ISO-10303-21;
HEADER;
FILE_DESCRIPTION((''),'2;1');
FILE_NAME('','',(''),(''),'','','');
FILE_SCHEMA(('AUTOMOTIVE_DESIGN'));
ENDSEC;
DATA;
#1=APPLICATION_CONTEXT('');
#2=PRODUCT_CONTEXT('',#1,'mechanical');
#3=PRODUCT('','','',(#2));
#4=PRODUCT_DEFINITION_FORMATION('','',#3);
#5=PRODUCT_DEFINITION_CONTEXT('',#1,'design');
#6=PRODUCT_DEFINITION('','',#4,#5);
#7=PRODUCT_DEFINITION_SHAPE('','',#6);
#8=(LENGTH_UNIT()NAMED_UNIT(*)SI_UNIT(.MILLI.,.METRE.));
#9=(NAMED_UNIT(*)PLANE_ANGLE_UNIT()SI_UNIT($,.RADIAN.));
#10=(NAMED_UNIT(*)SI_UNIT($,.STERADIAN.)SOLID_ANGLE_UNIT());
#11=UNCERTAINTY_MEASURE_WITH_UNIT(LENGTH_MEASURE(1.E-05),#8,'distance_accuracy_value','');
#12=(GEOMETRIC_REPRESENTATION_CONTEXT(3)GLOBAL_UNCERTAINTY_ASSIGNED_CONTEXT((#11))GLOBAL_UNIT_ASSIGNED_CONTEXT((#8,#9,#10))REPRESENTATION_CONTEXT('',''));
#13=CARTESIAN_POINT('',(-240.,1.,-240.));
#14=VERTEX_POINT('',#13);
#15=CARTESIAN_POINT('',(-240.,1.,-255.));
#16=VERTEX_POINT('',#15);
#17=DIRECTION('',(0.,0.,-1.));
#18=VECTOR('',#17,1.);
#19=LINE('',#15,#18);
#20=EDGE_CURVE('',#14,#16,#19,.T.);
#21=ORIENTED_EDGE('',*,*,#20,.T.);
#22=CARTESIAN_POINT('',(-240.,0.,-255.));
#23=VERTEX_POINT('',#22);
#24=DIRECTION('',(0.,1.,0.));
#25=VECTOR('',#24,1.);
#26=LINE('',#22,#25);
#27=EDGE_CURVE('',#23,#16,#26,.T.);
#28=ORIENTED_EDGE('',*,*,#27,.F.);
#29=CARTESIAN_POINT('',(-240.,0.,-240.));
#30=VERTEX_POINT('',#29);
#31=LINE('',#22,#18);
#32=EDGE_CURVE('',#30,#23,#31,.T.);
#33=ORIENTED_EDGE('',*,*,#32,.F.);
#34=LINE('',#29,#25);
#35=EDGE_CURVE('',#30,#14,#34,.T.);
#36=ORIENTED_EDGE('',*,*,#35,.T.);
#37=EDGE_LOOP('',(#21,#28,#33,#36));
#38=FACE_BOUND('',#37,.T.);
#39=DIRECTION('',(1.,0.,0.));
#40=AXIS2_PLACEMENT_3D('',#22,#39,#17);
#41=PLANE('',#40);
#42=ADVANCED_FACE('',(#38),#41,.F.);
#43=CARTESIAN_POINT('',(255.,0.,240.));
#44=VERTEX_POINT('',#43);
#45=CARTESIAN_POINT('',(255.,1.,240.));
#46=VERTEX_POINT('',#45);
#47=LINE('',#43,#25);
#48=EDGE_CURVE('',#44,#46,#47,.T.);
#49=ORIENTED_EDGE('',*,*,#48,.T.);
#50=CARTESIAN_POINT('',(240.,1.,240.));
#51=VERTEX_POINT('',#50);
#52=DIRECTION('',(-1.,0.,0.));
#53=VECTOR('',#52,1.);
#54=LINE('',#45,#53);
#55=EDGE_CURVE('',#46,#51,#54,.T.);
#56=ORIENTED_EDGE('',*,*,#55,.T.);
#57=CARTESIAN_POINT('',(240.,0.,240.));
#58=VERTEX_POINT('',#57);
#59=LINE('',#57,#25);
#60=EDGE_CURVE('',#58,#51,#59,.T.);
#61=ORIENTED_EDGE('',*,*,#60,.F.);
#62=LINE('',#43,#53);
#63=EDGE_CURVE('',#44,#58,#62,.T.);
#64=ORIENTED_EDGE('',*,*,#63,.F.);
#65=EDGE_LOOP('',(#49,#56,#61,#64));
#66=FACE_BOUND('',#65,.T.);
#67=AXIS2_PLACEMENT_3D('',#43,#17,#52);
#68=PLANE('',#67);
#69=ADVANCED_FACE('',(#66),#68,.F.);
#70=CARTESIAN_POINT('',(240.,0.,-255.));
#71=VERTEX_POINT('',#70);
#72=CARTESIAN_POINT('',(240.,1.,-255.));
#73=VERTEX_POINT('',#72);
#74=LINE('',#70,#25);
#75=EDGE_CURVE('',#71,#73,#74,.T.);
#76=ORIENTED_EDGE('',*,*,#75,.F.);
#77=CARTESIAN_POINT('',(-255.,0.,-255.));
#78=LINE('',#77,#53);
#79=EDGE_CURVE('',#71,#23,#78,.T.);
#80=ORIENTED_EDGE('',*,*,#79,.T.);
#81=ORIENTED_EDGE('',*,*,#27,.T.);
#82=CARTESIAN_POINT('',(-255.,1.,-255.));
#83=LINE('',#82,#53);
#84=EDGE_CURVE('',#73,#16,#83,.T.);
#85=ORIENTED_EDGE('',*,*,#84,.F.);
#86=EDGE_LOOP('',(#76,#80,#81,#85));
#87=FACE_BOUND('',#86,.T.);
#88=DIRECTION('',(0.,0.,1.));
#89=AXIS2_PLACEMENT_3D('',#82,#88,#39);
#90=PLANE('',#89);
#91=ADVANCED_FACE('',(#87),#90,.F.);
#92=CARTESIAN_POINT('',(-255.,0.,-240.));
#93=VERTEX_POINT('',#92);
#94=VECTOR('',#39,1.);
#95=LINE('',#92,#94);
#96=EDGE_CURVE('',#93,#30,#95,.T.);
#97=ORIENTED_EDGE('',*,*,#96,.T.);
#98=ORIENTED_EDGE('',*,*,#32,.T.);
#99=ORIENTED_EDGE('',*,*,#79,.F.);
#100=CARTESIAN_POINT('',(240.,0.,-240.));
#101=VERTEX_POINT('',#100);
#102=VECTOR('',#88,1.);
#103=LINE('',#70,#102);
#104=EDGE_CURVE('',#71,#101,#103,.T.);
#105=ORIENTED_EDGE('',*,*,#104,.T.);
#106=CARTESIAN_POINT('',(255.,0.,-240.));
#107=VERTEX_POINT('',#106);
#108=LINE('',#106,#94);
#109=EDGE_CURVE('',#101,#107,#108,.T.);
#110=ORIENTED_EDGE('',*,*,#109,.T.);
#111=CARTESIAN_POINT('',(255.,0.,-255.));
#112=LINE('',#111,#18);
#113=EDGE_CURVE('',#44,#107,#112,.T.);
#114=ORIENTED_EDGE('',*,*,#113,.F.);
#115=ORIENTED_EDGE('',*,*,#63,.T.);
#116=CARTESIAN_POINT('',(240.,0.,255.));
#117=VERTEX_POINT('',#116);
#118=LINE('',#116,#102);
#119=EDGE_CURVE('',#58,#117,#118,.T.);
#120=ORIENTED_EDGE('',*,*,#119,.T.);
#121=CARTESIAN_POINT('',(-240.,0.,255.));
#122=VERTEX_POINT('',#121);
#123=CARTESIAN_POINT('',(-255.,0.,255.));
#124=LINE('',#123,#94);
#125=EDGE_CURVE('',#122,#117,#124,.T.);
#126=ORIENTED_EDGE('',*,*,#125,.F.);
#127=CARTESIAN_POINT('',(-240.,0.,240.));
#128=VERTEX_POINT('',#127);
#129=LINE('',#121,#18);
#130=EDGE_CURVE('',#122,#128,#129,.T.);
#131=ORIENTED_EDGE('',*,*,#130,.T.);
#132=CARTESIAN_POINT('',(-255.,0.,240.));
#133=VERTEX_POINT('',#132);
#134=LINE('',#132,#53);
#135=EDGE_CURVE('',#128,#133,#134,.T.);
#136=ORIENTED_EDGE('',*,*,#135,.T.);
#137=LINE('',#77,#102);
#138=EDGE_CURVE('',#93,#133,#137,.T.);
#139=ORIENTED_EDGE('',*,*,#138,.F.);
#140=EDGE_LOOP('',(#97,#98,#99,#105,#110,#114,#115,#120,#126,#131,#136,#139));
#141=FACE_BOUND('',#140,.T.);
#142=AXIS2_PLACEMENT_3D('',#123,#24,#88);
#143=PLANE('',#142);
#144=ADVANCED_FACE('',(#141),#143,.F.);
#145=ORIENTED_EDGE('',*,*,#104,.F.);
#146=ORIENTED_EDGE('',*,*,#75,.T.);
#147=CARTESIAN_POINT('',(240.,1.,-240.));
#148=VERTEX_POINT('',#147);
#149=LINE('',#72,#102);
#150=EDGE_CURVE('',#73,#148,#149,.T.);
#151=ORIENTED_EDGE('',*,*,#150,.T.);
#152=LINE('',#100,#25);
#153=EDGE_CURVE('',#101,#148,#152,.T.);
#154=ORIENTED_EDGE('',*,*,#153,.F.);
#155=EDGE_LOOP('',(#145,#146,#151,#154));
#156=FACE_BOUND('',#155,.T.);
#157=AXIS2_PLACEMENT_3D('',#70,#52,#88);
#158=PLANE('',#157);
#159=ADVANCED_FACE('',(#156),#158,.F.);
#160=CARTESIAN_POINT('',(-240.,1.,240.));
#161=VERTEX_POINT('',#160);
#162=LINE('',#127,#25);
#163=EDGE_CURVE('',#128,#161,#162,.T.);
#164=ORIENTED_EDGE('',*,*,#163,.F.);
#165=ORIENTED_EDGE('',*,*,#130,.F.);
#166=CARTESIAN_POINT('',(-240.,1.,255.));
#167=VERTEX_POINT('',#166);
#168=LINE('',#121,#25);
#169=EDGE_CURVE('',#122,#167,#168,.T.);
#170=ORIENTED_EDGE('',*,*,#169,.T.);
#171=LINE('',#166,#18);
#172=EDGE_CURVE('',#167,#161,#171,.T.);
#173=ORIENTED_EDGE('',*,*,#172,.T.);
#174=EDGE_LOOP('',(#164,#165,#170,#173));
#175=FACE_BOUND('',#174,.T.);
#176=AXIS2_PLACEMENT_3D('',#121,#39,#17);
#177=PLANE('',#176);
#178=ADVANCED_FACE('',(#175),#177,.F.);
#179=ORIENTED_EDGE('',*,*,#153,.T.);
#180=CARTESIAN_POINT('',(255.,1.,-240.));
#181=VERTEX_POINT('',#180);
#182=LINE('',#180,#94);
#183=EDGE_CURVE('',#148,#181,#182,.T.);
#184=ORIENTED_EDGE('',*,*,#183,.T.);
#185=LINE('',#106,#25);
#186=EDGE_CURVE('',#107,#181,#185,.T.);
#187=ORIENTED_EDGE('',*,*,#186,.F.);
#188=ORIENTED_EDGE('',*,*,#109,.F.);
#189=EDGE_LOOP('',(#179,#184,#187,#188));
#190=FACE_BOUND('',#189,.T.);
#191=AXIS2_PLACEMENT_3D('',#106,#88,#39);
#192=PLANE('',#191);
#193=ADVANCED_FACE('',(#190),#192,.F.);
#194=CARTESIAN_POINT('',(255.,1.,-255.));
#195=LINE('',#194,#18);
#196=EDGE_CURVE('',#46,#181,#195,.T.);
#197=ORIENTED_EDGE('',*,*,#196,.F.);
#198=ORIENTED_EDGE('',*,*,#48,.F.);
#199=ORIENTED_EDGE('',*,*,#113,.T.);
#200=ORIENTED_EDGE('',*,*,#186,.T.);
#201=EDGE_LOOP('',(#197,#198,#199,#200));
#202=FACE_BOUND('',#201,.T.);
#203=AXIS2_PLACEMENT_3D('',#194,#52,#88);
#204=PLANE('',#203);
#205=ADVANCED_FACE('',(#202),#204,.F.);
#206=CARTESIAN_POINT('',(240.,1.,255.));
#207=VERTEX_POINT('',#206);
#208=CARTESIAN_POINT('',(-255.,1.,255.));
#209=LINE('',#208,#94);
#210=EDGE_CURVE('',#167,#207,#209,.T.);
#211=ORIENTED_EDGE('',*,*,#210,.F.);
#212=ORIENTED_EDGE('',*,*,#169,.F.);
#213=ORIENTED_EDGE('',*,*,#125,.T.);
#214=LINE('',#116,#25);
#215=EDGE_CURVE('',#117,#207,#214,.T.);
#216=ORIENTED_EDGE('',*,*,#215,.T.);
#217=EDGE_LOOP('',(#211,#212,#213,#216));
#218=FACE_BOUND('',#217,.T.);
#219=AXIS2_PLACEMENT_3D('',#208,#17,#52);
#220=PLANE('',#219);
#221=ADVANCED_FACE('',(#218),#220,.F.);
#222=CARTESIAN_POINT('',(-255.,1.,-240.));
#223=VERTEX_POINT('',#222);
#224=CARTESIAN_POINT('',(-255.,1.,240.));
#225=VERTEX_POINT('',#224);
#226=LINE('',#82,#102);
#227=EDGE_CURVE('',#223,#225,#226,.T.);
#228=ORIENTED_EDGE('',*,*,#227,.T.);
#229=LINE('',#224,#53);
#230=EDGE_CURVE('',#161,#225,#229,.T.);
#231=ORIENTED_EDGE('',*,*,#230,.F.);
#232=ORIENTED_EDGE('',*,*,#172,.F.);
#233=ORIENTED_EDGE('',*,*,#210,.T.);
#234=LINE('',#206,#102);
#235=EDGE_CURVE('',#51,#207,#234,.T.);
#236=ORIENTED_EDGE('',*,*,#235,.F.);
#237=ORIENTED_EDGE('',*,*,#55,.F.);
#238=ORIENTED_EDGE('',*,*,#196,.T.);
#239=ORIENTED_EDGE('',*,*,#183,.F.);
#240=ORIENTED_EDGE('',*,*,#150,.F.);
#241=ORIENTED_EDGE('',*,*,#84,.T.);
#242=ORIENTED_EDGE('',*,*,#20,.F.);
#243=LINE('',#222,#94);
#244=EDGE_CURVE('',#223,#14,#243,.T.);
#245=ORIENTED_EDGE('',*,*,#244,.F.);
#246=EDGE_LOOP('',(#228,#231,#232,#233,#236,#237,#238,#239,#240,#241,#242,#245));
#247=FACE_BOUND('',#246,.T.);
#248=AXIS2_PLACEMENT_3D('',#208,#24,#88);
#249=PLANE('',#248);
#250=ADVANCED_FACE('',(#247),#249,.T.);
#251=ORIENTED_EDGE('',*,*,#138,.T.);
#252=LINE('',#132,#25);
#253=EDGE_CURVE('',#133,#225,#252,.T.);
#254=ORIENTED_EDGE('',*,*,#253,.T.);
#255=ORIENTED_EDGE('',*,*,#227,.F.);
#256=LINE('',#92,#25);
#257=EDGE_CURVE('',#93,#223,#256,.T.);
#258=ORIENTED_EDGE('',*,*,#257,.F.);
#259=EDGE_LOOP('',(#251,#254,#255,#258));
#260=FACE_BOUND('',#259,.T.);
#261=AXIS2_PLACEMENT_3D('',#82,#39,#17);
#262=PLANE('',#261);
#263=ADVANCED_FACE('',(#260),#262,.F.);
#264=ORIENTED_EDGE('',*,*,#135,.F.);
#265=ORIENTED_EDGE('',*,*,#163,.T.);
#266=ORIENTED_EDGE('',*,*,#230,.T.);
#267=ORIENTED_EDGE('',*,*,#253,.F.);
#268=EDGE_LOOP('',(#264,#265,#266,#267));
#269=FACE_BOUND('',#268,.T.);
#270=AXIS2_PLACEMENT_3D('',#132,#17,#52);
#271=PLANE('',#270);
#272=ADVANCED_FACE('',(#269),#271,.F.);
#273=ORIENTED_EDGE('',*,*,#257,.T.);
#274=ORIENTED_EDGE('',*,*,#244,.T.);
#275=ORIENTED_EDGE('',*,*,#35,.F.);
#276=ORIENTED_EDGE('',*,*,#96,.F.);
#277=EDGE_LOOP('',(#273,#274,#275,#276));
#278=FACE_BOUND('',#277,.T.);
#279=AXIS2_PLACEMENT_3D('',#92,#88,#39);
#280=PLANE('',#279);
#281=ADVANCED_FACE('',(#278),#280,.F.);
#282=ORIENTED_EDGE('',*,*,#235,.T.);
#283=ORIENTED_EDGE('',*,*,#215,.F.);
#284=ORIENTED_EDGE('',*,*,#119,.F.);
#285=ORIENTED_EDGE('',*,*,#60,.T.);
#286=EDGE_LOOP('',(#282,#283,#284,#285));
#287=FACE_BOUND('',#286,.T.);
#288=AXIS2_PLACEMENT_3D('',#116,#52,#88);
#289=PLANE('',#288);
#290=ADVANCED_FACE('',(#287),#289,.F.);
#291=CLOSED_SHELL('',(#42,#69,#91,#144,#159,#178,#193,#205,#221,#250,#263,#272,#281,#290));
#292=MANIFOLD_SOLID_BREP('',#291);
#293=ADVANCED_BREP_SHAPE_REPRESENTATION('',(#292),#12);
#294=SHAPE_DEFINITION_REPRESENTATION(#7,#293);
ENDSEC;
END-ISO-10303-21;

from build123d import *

# Parameters (mm, degrees)
SKETCH1_W          = 510
SKETCH1_H          = 510
EXTRUDE1_DEPTH     = 1
SKETCH3_W          = 15
SKETCH3_H          = 15
CUT_EXTRUDE1_DEPTH = 2


with BuildPart() as part:
    # Sketch1 → Extrude1 (new body)
    with BuildSketch(Plane(origin=(0, 0, 0), x_dir=(1, 0, 0), z_dir=(0, 1, 0))):
        Rectangle(SKETCH1_W, SKETCH1_H)
    extrude(amount=EXTRUDE1_DEPTH)

    # Sketch3 → Cut-Extrude1 (cut, through all)
    with BuildSketch(Plane(origin=(0, 1, 0), x_dir=(-1, 0, 0), z_dir=(0, 1, 0))):
        with Locations((-247.5, -247.5)):
            Rectangle(SKETCH3_W, SKETCH3_H)
        with Locations((-247.5, 247.5)):
            Rectangle(SKETCH3_W, SKETCH3_H)
        with Locations((247.5, 247.5)):
            Rectangle(SKETCH3_W, SKETCH3_H)
        with Locations((247.5, -247.5)):
            Rectangle(SKETCH3_W, SKETCH3_H)
    extrude(amount=-CUT_EXTRUDE1_DEPTH, mode=Mode.SUBTRACT)


solid = part.part
